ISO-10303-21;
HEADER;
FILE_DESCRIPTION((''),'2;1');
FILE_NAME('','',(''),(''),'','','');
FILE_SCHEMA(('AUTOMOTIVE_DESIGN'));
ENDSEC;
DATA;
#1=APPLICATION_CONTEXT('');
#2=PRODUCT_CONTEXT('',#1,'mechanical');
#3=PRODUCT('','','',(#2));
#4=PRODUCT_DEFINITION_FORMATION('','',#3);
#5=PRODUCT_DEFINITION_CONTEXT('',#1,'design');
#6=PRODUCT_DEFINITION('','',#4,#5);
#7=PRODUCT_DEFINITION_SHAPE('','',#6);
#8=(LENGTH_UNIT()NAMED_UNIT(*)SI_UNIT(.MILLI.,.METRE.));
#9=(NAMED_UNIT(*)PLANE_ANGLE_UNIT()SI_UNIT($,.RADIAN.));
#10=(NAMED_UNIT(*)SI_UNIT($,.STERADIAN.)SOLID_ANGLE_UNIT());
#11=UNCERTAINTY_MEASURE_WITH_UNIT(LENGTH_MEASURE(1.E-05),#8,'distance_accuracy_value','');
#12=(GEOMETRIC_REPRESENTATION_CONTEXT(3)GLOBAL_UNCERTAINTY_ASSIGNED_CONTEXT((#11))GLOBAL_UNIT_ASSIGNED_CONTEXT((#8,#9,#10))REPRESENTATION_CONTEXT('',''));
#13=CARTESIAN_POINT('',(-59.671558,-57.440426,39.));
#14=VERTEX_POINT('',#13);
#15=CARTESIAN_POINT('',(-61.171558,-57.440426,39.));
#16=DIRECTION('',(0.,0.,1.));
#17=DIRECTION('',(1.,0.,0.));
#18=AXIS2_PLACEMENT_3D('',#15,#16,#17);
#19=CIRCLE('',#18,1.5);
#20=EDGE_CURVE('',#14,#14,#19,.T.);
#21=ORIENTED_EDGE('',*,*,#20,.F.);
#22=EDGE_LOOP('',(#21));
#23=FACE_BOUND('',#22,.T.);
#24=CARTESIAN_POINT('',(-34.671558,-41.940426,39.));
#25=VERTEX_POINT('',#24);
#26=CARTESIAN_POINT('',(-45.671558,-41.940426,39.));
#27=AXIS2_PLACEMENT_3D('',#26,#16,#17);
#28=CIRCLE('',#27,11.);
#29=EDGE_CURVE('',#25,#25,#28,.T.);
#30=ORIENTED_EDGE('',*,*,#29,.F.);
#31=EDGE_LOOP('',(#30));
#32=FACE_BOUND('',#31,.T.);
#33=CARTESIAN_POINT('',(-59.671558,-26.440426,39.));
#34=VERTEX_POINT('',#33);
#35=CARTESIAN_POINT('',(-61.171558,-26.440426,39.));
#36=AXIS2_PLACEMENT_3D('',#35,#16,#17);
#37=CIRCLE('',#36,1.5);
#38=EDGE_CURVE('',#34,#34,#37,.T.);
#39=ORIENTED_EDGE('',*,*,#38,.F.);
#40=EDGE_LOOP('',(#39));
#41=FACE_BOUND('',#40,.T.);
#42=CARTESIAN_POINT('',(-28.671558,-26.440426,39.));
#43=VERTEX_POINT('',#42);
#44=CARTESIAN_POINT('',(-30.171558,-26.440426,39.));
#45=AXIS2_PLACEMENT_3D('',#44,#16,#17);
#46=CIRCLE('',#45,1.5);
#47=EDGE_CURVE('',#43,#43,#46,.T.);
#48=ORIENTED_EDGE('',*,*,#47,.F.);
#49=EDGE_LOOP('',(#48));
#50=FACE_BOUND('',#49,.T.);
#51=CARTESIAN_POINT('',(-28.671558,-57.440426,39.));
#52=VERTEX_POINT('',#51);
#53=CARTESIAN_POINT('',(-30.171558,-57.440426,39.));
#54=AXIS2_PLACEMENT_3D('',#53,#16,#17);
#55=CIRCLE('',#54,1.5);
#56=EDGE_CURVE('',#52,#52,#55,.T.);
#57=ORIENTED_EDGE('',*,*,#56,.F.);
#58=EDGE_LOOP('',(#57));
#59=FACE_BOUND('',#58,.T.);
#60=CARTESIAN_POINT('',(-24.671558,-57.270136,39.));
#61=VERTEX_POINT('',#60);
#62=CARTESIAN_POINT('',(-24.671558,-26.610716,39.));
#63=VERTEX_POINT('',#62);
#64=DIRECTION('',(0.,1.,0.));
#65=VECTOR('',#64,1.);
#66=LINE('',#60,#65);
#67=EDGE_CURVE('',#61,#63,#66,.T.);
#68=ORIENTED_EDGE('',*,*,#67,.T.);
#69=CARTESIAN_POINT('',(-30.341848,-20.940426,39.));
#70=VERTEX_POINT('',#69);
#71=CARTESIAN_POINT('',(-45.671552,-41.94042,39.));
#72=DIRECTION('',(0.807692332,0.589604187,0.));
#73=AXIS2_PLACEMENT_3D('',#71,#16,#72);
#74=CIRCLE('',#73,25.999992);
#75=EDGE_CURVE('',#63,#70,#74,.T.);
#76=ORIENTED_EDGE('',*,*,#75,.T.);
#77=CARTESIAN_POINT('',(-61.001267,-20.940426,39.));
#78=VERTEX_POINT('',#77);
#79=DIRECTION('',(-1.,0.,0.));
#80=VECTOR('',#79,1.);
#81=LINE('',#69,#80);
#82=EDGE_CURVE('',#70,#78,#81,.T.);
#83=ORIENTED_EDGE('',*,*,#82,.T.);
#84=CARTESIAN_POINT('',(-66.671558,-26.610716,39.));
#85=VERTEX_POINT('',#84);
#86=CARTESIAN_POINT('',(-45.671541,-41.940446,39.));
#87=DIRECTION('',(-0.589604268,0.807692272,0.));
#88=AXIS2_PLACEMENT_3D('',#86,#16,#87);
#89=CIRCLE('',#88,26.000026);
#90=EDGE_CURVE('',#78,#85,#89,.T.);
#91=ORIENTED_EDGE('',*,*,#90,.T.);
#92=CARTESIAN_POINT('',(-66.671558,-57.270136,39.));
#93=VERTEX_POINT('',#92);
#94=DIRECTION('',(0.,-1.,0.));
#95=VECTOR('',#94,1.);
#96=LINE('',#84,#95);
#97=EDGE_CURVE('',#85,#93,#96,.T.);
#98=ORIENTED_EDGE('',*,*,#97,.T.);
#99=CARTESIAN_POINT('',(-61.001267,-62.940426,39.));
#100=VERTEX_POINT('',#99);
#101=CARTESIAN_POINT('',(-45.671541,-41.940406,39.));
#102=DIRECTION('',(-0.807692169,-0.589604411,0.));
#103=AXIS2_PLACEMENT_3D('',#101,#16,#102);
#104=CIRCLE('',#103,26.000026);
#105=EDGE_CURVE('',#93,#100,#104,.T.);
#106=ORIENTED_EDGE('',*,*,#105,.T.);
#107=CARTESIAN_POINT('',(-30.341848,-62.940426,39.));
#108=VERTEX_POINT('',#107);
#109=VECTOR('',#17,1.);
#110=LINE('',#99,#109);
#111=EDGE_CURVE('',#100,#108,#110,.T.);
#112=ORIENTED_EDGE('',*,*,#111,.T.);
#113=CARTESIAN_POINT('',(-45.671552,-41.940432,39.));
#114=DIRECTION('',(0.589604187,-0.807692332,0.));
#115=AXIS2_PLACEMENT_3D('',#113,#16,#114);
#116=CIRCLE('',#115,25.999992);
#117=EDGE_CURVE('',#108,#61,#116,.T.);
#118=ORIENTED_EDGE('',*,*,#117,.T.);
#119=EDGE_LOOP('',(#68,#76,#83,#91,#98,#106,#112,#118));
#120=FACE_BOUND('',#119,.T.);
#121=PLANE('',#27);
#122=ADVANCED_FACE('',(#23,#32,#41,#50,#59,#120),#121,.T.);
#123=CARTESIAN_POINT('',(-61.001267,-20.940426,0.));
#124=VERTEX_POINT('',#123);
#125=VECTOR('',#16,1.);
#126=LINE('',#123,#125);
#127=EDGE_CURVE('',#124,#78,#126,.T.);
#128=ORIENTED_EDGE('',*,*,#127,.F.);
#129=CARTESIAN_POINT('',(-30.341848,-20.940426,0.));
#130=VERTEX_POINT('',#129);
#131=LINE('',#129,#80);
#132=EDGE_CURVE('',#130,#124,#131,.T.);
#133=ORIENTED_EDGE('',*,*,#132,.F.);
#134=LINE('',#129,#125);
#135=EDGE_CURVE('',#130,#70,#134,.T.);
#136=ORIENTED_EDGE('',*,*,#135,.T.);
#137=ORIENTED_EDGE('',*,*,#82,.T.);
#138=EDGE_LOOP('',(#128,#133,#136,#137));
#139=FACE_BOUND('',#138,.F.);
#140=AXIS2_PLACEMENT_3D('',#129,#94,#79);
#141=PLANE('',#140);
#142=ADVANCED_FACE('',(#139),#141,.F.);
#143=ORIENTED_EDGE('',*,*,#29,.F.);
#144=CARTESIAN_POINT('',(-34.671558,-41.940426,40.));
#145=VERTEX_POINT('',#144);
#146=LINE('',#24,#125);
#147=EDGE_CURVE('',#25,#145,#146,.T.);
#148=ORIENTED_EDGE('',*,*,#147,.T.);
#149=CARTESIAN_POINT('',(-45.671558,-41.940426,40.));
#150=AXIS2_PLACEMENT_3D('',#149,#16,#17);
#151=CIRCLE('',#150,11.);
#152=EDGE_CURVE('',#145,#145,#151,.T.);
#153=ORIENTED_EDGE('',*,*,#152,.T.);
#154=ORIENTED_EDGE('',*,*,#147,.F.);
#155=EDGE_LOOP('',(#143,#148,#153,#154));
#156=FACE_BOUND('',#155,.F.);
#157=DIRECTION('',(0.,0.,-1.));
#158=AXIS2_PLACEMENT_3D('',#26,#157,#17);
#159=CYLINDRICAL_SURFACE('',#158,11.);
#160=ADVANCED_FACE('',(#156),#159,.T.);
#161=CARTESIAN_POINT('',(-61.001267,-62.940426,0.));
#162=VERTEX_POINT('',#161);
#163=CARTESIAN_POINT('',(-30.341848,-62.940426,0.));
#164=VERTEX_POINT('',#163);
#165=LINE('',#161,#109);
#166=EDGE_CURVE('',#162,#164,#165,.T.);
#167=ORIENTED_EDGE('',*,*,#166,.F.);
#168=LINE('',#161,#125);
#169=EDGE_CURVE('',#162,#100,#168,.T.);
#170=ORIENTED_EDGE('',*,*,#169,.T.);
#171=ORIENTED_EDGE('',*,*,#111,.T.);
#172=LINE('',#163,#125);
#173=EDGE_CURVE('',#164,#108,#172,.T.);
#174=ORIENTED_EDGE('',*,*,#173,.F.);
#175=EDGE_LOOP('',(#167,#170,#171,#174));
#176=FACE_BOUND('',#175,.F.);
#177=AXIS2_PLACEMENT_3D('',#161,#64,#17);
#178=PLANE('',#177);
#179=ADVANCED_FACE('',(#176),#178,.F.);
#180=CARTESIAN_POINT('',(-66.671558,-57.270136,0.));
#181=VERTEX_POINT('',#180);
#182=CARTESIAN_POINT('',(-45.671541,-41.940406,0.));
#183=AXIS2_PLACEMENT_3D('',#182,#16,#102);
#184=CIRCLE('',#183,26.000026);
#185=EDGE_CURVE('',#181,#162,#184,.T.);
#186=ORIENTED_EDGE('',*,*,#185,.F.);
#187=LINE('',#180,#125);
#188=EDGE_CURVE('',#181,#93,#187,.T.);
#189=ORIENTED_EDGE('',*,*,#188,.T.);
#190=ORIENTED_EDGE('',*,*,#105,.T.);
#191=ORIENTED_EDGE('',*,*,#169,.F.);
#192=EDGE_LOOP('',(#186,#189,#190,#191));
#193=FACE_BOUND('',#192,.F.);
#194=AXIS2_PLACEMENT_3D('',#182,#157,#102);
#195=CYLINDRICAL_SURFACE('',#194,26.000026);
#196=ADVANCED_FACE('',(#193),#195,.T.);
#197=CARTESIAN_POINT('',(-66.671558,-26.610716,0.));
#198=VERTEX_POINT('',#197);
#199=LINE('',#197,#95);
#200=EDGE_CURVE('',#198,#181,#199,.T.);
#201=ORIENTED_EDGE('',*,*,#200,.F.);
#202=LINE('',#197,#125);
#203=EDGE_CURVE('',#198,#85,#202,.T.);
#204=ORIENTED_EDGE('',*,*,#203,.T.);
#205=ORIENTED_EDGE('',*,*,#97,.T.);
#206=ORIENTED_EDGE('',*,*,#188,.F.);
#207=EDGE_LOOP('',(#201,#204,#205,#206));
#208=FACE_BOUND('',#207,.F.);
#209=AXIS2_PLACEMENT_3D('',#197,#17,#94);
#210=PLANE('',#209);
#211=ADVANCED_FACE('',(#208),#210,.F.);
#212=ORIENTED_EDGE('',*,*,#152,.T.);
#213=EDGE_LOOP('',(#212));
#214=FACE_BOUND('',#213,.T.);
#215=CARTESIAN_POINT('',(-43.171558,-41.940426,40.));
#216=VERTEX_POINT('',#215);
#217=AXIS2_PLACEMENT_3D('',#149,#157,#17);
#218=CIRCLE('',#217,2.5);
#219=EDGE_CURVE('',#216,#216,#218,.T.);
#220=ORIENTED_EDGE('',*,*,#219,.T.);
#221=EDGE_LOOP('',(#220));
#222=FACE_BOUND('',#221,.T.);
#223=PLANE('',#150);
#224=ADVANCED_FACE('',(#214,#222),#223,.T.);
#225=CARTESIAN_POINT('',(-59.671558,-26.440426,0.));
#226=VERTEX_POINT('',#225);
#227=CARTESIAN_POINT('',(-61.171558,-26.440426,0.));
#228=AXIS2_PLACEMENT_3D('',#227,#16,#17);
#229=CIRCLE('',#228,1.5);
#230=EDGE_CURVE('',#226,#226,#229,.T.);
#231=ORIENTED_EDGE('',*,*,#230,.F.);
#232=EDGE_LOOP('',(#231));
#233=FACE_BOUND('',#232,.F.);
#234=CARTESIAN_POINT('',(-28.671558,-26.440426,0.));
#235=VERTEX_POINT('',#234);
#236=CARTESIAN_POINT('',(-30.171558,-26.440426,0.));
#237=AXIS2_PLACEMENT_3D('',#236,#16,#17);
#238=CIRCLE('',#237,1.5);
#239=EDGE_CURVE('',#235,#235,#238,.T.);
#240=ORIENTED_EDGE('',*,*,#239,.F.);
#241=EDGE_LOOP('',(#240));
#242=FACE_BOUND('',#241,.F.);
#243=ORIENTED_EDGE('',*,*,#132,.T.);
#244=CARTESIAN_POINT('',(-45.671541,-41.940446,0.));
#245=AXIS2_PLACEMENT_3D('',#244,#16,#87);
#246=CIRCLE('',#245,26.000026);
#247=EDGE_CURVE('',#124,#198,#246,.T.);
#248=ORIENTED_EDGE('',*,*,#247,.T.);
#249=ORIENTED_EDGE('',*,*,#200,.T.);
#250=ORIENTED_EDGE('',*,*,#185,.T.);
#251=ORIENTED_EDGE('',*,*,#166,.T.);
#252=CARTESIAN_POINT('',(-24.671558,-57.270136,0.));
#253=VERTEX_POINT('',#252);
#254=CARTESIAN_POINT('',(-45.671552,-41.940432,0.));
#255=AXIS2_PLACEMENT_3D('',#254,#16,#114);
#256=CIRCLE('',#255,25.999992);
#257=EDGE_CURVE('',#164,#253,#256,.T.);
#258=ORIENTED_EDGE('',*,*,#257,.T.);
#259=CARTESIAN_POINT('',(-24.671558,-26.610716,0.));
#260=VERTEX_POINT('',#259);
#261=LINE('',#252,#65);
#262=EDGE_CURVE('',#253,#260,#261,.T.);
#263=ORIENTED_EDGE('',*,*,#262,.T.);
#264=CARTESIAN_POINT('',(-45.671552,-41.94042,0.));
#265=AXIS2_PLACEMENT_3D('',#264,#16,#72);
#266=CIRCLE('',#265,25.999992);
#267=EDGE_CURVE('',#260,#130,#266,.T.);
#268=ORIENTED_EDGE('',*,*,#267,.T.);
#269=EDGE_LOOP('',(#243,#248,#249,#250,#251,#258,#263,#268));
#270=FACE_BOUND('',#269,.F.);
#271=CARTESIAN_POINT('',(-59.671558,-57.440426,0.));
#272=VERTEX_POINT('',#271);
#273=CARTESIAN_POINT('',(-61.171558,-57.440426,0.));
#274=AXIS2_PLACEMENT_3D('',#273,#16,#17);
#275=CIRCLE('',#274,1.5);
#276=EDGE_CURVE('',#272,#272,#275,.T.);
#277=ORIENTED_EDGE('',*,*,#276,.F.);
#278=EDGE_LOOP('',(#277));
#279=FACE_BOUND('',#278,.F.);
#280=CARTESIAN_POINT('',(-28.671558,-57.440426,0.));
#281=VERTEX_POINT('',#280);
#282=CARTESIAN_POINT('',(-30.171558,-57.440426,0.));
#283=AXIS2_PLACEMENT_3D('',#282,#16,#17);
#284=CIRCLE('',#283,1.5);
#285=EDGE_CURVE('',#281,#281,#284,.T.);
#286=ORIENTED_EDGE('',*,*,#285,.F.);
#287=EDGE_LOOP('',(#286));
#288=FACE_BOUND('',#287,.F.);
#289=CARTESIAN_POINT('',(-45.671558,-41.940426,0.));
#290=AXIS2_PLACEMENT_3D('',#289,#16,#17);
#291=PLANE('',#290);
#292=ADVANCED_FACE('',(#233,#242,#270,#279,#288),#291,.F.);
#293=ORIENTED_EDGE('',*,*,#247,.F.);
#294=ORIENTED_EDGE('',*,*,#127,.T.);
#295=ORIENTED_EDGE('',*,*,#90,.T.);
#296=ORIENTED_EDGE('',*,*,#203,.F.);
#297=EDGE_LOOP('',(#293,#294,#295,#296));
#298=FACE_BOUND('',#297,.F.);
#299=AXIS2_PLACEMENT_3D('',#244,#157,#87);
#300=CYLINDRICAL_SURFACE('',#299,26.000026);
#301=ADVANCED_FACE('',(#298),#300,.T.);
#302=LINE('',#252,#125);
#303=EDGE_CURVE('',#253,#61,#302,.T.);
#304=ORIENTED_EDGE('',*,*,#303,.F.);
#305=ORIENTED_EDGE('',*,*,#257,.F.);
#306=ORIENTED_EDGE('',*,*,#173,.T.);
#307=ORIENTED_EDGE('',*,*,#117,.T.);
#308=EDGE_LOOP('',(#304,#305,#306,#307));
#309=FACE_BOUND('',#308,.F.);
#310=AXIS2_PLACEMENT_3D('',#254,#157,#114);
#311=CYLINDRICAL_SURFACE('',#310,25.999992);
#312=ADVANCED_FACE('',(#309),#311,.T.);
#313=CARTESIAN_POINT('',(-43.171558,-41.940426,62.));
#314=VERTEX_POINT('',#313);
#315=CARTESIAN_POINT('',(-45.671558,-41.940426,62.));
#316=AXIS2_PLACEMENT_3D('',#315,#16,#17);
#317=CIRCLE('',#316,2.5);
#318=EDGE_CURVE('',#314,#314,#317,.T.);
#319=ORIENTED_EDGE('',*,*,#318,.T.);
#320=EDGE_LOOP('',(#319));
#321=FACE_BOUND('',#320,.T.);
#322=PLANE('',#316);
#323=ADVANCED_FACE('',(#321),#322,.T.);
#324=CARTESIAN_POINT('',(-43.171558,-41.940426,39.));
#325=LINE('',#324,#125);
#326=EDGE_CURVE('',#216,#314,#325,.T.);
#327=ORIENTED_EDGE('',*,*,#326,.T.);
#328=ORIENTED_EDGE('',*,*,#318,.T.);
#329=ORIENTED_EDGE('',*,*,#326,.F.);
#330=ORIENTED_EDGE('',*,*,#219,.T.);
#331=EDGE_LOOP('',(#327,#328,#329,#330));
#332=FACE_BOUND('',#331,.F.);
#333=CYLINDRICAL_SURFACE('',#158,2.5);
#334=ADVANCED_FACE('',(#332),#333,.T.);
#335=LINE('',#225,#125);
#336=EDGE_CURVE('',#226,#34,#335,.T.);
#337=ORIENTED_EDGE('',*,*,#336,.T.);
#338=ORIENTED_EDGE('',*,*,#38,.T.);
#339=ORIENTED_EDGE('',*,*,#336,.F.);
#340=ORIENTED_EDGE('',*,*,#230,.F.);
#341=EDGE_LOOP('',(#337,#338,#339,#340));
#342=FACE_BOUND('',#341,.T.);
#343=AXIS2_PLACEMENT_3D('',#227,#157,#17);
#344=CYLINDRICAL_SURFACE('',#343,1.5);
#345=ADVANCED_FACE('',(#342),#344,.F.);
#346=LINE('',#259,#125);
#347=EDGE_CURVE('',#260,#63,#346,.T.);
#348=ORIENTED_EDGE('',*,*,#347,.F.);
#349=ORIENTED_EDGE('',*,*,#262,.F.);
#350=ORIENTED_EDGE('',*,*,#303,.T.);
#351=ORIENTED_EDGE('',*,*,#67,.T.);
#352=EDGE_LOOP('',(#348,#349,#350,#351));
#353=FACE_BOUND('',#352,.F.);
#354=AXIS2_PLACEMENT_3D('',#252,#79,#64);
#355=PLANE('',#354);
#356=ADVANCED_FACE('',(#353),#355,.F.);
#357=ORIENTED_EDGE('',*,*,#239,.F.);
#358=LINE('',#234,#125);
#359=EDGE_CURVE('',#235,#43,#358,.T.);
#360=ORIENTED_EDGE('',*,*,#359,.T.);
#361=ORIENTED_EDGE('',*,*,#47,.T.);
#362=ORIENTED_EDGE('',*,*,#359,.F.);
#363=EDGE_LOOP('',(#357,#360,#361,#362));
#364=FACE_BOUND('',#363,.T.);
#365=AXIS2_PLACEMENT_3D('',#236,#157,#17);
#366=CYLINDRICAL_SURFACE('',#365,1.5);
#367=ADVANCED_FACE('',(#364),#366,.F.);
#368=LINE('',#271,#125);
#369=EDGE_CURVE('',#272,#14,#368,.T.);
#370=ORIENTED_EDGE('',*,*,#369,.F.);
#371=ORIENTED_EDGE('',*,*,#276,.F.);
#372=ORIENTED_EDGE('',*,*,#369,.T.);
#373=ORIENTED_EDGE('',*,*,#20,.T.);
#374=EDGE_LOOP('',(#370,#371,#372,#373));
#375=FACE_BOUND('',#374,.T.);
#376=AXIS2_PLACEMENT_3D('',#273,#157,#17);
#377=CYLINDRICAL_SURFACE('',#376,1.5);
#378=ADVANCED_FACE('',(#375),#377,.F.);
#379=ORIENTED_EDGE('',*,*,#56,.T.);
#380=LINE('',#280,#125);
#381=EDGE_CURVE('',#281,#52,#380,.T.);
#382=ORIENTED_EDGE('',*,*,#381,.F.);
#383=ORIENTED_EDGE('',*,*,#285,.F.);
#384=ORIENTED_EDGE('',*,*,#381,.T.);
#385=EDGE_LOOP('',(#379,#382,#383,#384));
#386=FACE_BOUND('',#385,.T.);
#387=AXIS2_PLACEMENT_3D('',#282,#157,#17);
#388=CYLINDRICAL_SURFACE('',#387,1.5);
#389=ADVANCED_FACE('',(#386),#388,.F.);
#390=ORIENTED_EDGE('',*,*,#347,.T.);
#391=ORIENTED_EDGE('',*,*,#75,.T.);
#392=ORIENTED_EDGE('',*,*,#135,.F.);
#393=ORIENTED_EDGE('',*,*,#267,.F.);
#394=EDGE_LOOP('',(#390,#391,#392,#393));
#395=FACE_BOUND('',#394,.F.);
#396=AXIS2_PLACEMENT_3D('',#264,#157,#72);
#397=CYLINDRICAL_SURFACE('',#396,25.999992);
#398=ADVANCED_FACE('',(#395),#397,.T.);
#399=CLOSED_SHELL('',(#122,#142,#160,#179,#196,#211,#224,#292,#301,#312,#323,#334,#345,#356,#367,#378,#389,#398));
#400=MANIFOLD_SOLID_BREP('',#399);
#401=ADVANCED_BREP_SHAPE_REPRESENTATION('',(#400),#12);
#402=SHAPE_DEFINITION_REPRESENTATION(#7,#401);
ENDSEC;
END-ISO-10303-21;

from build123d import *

# Parameters (mm, degrees)
F0_R     = 1.5
F1_DEPTH = 39
F2_R     = 2.5
F3_DEPTH = 23
F4_R     = 11
F5_DEPTH = 1


with BuildPart() as f1:
    # F0 (on Top) → F1 (new body)
    with BuildSketch(Plane.XY):
        with BuildLine():
            ThreePointArc((-66.671558, -57.270136), (-64.056334, -60.325202), (-61.001267, -62.940426))
            Line((-61.001267, -62.940426), (-30.341848, -62.940426))
            ThreePointArc((-30.341848, -62.940426), (-27.286781, -60.325202), (-24.671558, -57.270136))
            Line((-24.671558, -57.270136), (-24.671558, -26.610716))
            ThreePointArc((-24.671558, -26.610716), (-27.286781, -23.55565), (-30.341848, -20.940426))
            Line((-30.341848, -20.940426), (-61.001267, -20.940426))
            ThreePointArc((-61.001267, -20.940426), (-64.056334, -23.55565), (-66.671558, -26.610716))
            Line((-66.671558, -26.610716), (-66.671558, -57.270136))
        make_face()
        with Locations((-61.171558, -57.440426)):
            Circle(F0_R, mode=Mode.SUBTRACT)
        with Locations((-30.171558, -57.440426)):
            Circle(F0_R, mode=Mode.SUBTRACT)
        with Locations((-61.171558, -26.440426)):
            Circle(F0_R, mode=Mode.SUBTRACT)
        with Locations((-30.171558, -26.440426)):
            Circle(F0_R, mode=Mode.SUBTRACT)
    extrude(amount=F1_DEPTH)

    # F2 (on face) → F3 (join)
    with BuildSketch(Plane.XY.offset(39)):
        with Locations((-45.671558, -41.940426)):
            Circle(F2_R)
    extrude(amount=F3_DEPTH)

    # F4 (on face) → F5 (join)
    with BuildSketch(Plane.XY.offset(39)):
        with Locations((-45.671558, -41.940426)):
            Circle(F4_R)
    extrude(amount=F5_DEPTH)


solid = f1.part
